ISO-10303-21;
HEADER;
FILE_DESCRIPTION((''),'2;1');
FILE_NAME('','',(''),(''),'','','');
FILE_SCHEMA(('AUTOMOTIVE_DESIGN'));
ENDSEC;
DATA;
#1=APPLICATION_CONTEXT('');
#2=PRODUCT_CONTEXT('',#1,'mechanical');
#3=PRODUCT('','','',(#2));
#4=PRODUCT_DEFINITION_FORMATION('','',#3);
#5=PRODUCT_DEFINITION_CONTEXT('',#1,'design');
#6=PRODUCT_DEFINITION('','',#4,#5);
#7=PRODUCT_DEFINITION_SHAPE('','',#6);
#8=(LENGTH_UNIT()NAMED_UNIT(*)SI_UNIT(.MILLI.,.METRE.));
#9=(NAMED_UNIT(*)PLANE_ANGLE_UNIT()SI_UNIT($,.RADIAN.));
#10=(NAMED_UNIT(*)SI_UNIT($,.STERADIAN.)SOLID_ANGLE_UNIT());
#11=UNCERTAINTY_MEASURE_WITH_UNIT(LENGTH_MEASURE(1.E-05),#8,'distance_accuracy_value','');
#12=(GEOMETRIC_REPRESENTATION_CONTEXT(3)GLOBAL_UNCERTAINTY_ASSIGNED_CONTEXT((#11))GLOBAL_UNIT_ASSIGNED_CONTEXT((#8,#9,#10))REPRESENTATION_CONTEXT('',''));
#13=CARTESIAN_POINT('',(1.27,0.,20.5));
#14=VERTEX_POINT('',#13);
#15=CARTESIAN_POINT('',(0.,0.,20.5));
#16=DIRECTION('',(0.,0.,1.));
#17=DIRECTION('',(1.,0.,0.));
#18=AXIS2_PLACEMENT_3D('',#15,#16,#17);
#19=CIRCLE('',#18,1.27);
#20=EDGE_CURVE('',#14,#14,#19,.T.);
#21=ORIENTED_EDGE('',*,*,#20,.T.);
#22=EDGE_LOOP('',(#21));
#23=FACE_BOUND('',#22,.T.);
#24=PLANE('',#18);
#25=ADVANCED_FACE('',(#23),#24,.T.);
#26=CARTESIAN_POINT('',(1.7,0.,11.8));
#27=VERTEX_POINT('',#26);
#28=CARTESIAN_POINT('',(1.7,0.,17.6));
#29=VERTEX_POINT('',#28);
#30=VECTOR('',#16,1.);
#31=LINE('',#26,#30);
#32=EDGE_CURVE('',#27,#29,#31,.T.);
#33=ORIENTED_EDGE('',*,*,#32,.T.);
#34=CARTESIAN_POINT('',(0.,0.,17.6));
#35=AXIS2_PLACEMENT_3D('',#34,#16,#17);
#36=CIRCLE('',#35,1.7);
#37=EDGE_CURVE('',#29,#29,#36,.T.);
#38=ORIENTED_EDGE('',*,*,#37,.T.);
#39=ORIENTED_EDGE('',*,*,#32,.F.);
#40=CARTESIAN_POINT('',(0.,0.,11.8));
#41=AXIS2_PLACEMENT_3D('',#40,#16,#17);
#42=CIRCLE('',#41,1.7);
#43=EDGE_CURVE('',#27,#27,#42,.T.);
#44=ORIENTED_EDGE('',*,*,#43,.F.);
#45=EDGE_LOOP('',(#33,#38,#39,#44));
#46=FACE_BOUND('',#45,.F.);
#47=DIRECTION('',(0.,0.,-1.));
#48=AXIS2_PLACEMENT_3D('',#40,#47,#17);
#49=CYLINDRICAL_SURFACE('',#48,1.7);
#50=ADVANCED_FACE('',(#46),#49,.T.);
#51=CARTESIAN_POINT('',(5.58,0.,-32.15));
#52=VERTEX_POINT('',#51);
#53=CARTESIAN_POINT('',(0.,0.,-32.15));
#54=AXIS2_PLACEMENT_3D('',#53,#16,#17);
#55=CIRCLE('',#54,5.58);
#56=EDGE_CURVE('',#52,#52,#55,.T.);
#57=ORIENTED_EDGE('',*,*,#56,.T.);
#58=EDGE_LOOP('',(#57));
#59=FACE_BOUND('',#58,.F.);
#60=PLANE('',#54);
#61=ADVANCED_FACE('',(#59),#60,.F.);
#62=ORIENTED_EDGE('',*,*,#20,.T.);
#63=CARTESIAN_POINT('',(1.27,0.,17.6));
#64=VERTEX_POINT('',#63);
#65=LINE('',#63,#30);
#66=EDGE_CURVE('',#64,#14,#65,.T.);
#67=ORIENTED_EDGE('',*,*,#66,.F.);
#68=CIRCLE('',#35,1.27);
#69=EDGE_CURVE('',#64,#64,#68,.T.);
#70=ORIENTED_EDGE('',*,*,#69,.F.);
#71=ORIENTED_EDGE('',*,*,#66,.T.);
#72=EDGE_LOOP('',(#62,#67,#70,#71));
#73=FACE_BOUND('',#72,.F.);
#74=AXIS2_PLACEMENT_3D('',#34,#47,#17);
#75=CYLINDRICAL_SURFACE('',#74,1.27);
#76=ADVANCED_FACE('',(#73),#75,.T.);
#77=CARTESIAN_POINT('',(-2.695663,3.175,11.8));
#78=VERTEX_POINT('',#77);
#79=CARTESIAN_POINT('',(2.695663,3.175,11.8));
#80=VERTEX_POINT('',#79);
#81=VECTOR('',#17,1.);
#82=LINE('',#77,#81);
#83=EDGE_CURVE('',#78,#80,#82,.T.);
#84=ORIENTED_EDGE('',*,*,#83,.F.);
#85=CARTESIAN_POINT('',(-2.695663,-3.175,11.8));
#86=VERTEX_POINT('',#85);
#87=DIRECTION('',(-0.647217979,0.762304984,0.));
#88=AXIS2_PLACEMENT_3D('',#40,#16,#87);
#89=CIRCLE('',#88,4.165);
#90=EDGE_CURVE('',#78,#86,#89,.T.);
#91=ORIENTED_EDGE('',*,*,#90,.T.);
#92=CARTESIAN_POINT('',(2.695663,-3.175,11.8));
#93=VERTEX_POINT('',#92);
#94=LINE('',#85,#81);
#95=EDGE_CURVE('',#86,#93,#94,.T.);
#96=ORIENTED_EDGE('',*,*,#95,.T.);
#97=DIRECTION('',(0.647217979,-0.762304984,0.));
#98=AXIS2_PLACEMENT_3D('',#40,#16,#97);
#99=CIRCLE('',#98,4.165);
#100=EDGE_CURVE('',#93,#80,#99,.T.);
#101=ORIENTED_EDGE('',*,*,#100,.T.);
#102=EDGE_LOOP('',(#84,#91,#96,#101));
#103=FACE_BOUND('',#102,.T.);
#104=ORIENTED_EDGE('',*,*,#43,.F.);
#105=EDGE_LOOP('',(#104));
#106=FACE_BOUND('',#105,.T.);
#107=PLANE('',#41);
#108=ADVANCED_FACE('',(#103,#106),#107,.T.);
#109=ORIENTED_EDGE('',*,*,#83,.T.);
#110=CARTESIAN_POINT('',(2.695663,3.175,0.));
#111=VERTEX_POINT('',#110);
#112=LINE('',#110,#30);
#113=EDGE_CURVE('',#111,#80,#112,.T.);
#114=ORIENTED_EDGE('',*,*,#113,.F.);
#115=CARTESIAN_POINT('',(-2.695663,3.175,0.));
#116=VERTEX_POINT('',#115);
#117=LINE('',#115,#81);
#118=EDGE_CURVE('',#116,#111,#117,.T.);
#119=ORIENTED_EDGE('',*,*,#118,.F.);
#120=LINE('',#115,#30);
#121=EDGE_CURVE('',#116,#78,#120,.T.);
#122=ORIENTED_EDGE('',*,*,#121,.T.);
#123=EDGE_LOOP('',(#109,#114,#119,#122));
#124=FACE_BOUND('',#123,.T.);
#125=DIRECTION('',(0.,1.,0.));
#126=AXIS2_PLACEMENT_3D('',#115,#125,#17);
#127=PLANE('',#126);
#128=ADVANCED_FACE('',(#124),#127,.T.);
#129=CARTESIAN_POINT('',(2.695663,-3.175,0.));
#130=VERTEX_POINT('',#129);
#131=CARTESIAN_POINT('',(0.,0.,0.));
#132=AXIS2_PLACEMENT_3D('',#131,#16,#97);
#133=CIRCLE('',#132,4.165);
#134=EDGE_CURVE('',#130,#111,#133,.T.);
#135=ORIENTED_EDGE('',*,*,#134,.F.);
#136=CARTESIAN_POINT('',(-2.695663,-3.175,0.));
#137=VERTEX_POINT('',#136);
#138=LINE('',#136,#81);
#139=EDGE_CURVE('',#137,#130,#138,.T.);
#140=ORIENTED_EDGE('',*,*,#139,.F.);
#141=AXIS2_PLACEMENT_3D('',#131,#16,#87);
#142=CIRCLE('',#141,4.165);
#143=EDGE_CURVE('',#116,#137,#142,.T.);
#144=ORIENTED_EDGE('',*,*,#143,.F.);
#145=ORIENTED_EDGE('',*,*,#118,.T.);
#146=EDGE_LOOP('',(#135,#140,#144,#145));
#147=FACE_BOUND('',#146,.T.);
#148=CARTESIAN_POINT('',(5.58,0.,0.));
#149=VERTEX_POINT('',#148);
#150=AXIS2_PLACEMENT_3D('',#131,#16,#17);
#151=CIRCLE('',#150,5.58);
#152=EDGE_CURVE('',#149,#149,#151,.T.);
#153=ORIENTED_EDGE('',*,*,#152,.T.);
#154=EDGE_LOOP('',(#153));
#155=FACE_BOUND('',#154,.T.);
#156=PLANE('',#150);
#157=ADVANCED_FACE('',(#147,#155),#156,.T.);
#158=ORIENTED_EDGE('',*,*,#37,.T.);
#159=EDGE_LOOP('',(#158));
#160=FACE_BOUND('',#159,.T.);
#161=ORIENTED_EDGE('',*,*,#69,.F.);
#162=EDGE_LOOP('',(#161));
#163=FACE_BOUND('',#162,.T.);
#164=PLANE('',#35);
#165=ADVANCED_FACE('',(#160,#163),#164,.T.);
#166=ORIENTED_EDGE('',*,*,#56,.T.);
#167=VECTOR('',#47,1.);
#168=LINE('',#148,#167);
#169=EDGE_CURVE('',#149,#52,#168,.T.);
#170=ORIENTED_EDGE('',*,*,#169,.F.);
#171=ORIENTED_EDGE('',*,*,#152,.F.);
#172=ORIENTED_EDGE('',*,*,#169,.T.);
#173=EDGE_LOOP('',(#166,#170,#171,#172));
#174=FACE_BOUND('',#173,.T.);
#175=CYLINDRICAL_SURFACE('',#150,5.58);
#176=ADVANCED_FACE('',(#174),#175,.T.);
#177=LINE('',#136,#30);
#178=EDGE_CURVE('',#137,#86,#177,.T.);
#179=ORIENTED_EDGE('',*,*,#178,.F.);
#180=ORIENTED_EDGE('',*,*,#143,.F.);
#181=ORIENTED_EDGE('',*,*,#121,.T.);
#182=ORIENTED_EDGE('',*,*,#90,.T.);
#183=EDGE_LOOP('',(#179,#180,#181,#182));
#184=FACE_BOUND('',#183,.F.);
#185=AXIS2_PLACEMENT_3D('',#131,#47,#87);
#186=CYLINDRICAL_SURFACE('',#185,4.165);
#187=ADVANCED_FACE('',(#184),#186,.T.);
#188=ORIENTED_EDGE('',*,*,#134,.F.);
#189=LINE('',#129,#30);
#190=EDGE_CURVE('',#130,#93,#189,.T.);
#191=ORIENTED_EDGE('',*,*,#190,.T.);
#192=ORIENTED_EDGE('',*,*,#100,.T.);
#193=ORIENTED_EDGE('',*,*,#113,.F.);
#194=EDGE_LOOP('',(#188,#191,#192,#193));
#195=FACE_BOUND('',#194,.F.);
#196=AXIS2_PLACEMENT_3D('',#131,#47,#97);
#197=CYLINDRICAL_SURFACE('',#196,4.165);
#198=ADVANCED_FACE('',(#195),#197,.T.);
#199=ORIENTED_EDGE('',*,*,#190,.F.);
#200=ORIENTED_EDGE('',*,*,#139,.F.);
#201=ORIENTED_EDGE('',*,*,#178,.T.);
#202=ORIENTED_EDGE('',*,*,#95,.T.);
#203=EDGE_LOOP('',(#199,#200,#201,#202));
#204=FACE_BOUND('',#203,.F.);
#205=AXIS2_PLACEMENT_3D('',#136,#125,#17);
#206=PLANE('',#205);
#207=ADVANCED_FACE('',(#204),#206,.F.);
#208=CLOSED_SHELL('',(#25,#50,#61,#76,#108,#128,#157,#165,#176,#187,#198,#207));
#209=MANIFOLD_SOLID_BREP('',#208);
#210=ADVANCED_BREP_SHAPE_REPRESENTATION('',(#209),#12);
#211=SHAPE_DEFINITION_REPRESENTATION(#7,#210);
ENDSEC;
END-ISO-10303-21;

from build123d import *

# Parameters (mm, degrees)
SKETCH002_R  = 1.7
PAD002_DEPTH = 5.8
SKETCH003_R  = 1.27
PAD003_DEPTH = 2.9
PAD_DEPTH    = 11.8
SKETCH001_R  = 5.58
PAD001_DEPTH = 32.15


with BuildPart() as metal:
    # Sketch002 → Pad002 (new body)
    with BuildSketch(Plane.XY):
        Circle(SKETCH002_R)
    extrude(amount=PAD002_DEPTH)

    # Sketch003 (on Face3 of Pad002) → Pad003 (join)
    with BuildSketch(Plane.XY.offset(5.8)):
        Circle(SKETCH003_R)
    extrude(amount=PAD003_DEPTH)


with BuildPart() as metal_1:
    # Body001 placement: moved
    add(metal.part.moved(Location((0, 0, 11.8))))


with BuildPart() as f_9280blk:
    # Sketch → Pad (new body)
    with BuildSketch(Plane.XY):
        with BuildLine():
            ThreePointArc((-2.695663, 3.175), (-4.165, 0), (-2.695663, -3.175))
            Line((-2.695663, -3.175), (2.695663, -3.175))
            ThreePointArc((2.695663, -3.175), (4.165, 0), (2.695663, 3.175))
            Line((-2.695663, 3.175), (2.695663, 3.175))
        make_face()
    extrude(amount=PAD_DEPTH)

    # Sketch001 (on Sketch) → Pad001 (join)
    with BuildSketch(Plane.XY):
        Circle(SKETCH001_R)
    extrude(amount=-PAD001_DEPTH)

    # Fusion: union metal
    add(metal_1.part)


solid = f_9280blk.part
